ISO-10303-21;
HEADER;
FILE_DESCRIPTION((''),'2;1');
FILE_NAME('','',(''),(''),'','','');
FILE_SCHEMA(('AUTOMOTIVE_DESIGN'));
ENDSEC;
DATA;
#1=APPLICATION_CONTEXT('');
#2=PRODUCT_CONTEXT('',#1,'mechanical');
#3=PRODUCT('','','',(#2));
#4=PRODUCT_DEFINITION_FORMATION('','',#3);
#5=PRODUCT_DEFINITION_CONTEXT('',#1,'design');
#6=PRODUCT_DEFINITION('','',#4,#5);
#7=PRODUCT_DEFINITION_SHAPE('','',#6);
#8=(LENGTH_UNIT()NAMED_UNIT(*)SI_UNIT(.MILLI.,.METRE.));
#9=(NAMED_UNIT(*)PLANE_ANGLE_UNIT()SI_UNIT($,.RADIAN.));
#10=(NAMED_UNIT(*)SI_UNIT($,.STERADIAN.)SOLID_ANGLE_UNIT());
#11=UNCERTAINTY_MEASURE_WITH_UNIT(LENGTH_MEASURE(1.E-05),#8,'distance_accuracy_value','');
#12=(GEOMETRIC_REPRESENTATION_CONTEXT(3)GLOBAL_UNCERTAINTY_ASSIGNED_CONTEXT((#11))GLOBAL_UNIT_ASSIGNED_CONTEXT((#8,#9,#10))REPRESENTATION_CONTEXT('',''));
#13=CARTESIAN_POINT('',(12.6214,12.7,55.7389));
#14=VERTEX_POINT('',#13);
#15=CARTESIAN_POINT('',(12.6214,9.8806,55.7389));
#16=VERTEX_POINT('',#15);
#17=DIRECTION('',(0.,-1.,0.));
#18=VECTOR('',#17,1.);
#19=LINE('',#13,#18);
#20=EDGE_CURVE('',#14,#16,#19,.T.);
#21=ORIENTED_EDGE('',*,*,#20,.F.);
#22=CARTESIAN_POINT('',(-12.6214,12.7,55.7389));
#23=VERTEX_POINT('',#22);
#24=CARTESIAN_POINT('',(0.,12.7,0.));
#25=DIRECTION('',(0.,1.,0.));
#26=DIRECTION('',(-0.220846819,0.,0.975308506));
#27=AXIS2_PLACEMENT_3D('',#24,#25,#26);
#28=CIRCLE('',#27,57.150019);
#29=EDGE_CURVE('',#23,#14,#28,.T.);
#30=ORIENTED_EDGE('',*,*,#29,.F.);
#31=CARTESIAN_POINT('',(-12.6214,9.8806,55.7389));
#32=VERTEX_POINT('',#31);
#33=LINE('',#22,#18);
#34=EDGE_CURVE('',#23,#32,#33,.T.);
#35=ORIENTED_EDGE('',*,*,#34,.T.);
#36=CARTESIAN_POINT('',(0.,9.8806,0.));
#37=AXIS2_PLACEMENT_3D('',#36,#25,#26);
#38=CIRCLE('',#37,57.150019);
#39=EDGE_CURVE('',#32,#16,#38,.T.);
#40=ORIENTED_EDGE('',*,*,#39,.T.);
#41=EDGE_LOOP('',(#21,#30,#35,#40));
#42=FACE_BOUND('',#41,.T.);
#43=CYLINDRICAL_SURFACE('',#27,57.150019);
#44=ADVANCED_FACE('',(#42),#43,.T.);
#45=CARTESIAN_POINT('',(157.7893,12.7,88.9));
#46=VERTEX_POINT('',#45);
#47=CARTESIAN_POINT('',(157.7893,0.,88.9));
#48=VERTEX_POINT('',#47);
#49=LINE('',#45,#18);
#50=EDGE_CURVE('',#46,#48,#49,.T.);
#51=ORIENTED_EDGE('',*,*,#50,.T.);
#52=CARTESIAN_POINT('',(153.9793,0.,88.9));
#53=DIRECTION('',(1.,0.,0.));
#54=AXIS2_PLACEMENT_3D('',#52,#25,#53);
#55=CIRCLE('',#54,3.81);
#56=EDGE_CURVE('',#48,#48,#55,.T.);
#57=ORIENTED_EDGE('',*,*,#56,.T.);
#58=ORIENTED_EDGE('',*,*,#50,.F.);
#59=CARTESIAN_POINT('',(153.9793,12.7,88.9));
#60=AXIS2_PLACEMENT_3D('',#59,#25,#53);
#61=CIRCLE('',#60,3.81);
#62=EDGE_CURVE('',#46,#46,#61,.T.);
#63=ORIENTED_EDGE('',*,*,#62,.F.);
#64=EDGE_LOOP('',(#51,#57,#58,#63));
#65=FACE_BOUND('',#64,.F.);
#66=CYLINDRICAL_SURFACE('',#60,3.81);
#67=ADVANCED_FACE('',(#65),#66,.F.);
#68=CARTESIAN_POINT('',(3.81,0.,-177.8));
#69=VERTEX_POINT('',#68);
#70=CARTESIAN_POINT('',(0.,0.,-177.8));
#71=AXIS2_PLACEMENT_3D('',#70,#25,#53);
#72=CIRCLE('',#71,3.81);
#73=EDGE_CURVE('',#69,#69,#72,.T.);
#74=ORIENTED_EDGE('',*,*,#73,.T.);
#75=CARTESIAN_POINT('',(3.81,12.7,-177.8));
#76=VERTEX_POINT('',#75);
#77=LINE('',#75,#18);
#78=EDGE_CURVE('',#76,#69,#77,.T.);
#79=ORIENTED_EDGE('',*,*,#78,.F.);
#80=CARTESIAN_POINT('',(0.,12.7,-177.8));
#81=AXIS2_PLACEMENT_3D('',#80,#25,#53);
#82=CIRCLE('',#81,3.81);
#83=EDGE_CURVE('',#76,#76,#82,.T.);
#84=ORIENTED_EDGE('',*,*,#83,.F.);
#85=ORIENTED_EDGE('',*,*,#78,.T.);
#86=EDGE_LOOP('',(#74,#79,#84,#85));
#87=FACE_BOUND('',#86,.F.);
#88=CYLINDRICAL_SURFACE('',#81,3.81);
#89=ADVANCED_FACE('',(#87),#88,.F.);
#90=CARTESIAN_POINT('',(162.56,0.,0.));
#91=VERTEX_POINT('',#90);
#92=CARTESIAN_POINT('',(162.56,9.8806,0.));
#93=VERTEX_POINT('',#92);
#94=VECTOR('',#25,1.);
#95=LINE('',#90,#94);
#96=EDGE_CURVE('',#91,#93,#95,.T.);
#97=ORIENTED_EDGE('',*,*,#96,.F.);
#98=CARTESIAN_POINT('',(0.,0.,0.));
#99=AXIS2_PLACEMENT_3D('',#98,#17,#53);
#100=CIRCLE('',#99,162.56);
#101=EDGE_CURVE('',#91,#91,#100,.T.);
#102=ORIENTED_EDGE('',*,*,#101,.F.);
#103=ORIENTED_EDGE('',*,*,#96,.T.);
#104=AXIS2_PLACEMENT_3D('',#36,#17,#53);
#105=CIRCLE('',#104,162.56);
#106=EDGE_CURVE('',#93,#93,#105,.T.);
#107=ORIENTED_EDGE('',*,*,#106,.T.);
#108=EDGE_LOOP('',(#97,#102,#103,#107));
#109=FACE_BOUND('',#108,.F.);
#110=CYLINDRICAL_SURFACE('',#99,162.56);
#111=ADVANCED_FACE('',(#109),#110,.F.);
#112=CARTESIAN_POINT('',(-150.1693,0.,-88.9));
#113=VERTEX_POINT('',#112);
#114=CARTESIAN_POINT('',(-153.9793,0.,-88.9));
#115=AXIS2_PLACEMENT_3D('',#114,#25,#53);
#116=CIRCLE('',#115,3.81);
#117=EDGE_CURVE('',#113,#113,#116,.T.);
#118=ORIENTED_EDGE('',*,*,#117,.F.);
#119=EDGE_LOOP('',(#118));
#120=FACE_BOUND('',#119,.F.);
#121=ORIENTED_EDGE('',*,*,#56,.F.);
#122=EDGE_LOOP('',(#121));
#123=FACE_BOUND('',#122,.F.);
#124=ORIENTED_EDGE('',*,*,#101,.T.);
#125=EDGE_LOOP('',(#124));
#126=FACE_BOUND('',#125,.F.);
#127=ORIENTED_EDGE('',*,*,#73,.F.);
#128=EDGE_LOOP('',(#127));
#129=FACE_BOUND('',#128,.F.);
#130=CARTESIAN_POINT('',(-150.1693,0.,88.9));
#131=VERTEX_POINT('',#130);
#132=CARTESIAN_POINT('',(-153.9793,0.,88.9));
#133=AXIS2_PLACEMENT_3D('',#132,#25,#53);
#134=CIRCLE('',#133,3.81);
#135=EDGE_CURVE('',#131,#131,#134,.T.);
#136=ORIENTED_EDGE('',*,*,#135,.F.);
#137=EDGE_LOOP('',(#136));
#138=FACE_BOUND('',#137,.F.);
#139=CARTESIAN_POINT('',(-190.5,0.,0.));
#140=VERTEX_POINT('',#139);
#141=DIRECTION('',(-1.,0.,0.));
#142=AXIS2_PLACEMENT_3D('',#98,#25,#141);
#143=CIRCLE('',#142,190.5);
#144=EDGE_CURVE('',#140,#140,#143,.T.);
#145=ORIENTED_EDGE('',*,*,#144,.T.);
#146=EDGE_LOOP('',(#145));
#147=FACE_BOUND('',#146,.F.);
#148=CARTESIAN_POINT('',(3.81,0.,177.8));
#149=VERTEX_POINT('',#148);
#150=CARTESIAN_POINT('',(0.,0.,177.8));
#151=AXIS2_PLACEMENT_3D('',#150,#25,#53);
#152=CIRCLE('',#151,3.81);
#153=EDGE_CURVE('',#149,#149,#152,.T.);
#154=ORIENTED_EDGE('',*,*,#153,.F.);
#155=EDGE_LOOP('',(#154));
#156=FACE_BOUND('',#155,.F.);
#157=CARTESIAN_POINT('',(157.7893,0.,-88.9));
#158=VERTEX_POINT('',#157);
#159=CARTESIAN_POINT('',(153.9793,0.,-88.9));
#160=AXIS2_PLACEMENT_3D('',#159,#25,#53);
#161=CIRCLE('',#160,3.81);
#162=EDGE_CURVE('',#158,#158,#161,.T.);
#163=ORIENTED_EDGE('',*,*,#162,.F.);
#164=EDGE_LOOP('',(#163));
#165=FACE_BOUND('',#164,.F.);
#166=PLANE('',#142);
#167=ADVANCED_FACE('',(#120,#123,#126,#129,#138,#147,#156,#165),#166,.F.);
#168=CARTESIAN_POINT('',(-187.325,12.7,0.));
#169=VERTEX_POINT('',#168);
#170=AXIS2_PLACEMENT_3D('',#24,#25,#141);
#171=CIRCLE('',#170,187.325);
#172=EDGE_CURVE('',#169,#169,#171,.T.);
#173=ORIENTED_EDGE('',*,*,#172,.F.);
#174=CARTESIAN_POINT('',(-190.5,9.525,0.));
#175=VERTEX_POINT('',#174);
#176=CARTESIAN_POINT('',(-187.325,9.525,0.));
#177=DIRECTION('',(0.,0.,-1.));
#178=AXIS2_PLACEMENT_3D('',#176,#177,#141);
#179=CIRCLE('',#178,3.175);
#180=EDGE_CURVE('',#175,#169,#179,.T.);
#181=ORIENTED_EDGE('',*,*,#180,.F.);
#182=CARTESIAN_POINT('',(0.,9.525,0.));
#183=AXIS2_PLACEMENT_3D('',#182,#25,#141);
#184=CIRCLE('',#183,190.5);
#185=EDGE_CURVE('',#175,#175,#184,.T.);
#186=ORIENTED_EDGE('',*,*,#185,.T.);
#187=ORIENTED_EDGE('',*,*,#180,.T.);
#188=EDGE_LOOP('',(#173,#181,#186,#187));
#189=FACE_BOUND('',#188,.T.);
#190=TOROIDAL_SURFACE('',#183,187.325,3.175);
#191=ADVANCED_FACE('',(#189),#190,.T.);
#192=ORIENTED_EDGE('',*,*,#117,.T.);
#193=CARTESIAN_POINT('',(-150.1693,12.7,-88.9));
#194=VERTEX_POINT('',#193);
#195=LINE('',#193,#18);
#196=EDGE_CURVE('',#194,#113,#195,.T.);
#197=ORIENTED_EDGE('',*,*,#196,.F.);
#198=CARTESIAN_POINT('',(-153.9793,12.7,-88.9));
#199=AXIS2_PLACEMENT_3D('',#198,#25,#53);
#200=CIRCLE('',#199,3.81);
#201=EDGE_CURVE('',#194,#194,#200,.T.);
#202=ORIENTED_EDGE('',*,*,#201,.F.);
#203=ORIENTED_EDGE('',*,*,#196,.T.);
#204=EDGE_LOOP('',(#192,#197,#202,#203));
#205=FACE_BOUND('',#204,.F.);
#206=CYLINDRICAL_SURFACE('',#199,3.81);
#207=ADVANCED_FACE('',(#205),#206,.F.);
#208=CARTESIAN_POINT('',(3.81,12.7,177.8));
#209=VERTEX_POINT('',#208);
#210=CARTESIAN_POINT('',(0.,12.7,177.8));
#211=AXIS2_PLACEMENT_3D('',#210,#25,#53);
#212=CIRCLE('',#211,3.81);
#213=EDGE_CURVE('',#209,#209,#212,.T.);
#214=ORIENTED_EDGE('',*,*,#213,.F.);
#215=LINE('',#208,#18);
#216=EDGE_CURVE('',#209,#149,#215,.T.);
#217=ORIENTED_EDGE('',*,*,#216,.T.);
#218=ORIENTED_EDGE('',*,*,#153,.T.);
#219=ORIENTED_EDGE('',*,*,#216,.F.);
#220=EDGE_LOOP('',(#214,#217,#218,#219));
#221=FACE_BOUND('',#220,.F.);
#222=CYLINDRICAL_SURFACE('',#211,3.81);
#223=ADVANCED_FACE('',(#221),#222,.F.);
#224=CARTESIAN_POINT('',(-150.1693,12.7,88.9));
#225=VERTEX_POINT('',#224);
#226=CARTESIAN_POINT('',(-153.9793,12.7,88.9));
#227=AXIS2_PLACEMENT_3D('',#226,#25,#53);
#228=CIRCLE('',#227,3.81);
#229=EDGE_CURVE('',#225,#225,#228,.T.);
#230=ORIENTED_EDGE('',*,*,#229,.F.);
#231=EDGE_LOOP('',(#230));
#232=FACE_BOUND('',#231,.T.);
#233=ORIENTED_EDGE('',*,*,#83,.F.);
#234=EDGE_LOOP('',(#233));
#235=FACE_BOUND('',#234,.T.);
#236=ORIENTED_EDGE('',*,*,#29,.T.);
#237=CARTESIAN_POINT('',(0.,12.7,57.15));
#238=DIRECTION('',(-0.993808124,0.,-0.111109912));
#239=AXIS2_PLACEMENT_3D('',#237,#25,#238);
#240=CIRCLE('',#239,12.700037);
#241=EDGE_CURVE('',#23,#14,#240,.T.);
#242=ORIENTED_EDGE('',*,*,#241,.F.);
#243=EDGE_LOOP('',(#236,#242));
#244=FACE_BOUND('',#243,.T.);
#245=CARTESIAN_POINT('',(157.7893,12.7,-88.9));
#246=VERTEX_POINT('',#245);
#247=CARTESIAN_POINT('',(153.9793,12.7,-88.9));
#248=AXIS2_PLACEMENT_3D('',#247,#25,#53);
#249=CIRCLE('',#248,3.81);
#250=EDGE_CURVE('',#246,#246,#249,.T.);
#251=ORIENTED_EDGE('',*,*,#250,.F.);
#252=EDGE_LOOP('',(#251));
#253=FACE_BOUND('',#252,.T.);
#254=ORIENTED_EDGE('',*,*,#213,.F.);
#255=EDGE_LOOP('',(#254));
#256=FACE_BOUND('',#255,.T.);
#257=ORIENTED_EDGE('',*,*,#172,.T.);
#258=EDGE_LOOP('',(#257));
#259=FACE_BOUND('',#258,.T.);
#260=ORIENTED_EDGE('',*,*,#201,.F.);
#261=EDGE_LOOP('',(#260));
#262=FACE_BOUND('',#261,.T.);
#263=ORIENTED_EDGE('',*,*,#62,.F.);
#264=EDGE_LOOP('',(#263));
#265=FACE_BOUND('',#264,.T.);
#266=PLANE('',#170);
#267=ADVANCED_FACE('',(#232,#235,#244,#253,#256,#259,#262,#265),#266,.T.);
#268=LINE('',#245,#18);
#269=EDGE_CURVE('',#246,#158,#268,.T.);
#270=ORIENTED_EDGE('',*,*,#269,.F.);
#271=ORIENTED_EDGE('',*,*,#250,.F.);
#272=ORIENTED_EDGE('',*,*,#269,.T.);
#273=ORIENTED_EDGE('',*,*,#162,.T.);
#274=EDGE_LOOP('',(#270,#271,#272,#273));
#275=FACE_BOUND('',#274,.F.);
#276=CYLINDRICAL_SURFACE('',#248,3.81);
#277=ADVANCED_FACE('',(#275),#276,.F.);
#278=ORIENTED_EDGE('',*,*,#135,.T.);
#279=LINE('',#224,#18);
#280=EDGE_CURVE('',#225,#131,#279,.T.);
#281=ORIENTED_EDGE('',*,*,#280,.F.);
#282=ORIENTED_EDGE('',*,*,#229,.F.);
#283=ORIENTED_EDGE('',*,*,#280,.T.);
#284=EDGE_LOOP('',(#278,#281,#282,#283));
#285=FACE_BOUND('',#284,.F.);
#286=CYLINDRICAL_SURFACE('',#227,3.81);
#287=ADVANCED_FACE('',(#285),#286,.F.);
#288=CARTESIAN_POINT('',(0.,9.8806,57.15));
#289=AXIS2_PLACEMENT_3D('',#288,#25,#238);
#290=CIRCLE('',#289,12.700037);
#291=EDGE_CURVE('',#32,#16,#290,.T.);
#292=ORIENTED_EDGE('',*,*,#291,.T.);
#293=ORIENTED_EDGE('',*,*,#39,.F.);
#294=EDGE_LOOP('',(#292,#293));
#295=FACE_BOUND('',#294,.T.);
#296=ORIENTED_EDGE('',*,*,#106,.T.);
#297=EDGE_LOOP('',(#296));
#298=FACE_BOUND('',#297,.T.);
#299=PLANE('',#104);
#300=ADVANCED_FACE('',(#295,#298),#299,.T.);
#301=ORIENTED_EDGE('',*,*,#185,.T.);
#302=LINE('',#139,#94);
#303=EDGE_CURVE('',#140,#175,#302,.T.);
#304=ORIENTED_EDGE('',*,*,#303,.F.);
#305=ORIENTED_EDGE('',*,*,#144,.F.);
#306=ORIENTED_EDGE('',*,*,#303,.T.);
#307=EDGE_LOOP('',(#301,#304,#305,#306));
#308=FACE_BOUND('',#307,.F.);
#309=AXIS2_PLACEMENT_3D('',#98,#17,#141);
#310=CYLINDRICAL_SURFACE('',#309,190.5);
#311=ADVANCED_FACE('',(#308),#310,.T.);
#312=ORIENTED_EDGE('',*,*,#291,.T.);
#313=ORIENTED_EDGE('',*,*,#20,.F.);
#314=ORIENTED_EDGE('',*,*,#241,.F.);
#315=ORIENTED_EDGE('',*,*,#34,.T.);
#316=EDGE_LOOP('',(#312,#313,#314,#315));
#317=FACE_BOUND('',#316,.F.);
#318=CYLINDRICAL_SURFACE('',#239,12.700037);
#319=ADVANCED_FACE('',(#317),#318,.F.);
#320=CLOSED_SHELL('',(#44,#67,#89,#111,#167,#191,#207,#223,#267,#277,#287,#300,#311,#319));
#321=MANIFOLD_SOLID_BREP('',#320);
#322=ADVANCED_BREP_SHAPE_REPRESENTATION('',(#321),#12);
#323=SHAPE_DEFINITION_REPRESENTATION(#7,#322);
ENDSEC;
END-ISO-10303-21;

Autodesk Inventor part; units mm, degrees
ref_plane "YZ Plane" through (0, 0, 0) normal (1, 0, 0) x (0, 1, 0)
ref_plane "XZ Plane" through (0, 0, 0) normal (0, 1, 0) x (-1, 0, 0)
ref_plane "XY Plane" through (0, 0, 0) normal (0, 0, 1) x (1, 0, 0)
sketch "Sketch1" plane through (0, 0, 0) normal (0, 1, 0) x (-1, 0, 0)
  circle A0 centre (0, 0) radius 190.5
  dimension "d1" = 381
ref_plane "Work Plane1" through (0, 12.7, 0) normal (0, 1, 0) x (1, 0, 0)
sketch "Sketch2" plane through (0, 12.7, 0) normal (0, 1, 0) x (1, 0, 0)
  line L0 (0, 0) -> (0, -177.8) construction
  line L1 (0, 0) -> (177.8, 0) construction
  circle A0 centre (0, -177.8) radius 3.81
  circle A1 centre (153.9793, -88.9) radius 3.81
  circle A2 centre (153.9793, 88.9) radius 3.81
  circle A3 centre (0, 177.8) radius 3.81
  circle A4 centre (-153.9793, 88.9) radius 3.81
  circle A5 centre (-153.9793, -88.9) radius 3.81
  dimension "d6" = 177.8
  dimension "d7" = 90
  dimension "d8" = 7.62
  dimension "d9" = 360
extrude "Extrusion3" add sketch "Sketch1" along normal blind 12.7
extrude "Extrusion4" cut sketch "Sketch2" against normal through all
sketch "Sketch3" plane through (0, 0, 0) normal (0, -1, 0) x (1, 0, 0)
  circle A0 centre (0, 0) radius 162.56
  dimension "d16" = 325.12
extrude "Extrusion5" cut sketch "Sketch3" against normal blind 9.8806
fillet "Fillet1" radius 3.175 1 edges at (190.5, 12.7, 0)
sketch "Sketch4" plane through (0, 12.7, 0) normal (0, 1, 0) x (1, 0, 0)
  arc A0 (-12.6214, -55.7389) -> (12.6214, -55.7389) centre (0, 0) ccw
  arc A1 (-12.6214, -55.7389) -> (12.6214, -55.7389) centre (0, -57.15) ccw
  dimension "d20" = 114.3
  dimension "d21" = 25.4
extrude "Extrusion6" cut sketch "Sketch4" against normal blind 9.8806
properties part number "Turntable Cap" material "PVC-Piping"
